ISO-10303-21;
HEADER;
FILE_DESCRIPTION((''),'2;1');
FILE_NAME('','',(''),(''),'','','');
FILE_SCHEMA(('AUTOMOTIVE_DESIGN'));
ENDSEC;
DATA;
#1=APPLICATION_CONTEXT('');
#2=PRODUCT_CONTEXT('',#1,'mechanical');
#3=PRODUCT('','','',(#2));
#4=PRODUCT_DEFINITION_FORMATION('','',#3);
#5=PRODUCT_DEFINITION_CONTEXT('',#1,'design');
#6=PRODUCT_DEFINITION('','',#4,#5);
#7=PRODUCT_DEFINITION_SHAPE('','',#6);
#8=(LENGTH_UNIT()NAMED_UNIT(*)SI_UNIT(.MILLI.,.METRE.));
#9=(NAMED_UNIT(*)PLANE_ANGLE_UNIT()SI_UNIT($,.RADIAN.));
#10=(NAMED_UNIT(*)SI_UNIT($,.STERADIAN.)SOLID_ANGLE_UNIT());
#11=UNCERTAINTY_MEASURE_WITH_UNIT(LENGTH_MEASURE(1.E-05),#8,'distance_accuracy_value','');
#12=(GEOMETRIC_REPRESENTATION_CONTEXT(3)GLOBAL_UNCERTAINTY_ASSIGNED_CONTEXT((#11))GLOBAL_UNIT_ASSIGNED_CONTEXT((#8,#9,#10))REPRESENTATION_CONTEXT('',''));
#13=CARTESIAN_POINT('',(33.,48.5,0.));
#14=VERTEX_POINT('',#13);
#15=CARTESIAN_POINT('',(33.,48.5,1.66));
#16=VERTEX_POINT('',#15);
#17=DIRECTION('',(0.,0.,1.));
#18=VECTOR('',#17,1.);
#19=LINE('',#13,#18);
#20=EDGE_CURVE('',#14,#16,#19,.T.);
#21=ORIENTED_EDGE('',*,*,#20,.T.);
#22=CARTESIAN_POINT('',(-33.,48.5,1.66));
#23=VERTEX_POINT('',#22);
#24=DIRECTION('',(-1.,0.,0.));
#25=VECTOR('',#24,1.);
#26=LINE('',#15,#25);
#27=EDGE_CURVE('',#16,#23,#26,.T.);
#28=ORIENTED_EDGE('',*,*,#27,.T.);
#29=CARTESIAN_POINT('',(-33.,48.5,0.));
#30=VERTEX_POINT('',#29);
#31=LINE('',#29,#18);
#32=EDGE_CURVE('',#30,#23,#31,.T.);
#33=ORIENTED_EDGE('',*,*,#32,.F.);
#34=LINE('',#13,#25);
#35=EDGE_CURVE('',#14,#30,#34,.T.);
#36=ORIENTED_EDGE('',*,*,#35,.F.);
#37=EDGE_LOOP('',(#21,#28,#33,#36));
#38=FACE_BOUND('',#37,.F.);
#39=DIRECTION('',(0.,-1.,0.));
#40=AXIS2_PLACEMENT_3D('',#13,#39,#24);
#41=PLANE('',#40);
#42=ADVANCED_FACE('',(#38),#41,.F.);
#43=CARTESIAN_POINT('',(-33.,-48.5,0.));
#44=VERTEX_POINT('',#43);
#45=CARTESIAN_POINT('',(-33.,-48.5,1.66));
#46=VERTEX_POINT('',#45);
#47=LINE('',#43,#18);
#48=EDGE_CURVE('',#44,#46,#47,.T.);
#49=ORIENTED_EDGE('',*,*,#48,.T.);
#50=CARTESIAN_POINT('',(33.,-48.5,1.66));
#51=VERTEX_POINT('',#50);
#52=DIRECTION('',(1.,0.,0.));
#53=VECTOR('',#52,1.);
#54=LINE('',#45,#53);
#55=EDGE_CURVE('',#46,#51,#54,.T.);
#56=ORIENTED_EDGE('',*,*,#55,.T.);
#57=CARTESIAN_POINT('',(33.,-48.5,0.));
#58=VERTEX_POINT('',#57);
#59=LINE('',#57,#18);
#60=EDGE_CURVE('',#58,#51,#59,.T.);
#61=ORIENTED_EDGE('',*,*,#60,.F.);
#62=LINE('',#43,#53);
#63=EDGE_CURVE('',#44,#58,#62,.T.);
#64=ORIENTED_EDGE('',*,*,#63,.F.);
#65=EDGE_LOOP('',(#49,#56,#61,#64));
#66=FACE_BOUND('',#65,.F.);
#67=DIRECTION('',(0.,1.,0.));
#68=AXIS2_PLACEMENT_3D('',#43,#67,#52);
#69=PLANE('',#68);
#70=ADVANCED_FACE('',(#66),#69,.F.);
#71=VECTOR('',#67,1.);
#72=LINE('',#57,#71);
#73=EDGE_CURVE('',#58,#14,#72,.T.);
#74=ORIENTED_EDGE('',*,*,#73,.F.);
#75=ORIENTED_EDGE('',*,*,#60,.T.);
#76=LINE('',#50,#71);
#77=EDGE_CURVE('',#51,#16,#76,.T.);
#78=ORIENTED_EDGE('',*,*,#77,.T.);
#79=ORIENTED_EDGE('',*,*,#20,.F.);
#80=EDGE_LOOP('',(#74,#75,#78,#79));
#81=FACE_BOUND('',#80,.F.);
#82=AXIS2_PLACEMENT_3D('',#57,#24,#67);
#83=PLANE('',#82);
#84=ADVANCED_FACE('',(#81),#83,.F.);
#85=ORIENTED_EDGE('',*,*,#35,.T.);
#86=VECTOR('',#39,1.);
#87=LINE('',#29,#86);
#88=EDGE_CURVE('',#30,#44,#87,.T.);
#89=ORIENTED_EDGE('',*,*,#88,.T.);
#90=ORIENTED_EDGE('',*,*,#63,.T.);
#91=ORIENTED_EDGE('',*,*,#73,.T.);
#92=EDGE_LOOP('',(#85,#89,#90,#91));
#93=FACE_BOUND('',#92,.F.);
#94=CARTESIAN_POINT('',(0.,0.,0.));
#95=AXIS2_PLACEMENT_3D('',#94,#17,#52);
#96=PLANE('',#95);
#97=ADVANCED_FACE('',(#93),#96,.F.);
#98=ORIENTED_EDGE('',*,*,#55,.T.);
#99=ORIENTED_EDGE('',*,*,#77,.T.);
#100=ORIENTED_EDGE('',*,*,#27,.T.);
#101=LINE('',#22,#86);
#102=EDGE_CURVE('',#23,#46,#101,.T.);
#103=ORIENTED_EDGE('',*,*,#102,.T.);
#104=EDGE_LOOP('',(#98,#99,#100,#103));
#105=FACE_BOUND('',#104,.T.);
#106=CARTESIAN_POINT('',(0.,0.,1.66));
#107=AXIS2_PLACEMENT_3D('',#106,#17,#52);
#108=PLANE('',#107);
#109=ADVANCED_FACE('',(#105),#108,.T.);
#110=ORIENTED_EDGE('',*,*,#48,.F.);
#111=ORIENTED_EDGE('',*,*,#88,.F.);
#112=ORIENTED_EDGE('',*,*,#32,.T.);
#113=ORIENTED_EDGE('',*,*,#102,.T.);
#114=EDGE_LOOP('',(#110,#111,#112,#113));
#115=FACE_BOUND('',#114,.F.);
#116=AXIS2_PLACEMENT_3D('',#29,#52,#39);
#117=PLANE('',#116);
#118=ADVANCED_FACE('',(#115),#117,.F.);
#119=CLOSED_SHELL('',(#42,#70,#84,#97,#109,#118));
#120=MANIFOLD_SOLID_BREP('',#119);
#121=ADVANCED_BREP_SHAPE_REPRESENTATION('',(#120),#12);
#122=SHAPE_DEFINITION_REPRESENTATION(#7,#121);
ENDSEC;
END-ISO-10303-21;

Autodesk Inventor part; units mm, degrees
ref_plane "YZ Plane" through (0, 0, 0) normal (1, 0, 0) x (0, 1, 0)
ref_plane "XZ Plane" through (0, 0, 0) normal (0, 1, 0) x (-1, 0, 0)
ref_plane "XY Plane" through (0, 0, 0) normal (0, 0, 1) x (1, 0, 0)
sketch "Sketch1" plane through (0, 0, 0) normal (0, 0, 1) x (1, 0, 0)
  line L0 (-33, -48.5) -> (33, -48.5)
  line L1 (33, -48.5) -> (33, 48.5)
  line L2 (33, 48.5) -> (-33, 48.5)
  line L3 (-33, 48.5) -> (-33, -48.5)
  line L4 (-33, -48.5) -> (33, 48.5) construction
  line L5 (33, -48.5) -> (-33, 48.5) construction
  point P0 (0, 0)
  dimension "d0" = 66
  dimension "d1" = 97
extrude "Extrusion1" add sketch "Sketch1" along normal blind 1.66
properties part number "Discovery board"
